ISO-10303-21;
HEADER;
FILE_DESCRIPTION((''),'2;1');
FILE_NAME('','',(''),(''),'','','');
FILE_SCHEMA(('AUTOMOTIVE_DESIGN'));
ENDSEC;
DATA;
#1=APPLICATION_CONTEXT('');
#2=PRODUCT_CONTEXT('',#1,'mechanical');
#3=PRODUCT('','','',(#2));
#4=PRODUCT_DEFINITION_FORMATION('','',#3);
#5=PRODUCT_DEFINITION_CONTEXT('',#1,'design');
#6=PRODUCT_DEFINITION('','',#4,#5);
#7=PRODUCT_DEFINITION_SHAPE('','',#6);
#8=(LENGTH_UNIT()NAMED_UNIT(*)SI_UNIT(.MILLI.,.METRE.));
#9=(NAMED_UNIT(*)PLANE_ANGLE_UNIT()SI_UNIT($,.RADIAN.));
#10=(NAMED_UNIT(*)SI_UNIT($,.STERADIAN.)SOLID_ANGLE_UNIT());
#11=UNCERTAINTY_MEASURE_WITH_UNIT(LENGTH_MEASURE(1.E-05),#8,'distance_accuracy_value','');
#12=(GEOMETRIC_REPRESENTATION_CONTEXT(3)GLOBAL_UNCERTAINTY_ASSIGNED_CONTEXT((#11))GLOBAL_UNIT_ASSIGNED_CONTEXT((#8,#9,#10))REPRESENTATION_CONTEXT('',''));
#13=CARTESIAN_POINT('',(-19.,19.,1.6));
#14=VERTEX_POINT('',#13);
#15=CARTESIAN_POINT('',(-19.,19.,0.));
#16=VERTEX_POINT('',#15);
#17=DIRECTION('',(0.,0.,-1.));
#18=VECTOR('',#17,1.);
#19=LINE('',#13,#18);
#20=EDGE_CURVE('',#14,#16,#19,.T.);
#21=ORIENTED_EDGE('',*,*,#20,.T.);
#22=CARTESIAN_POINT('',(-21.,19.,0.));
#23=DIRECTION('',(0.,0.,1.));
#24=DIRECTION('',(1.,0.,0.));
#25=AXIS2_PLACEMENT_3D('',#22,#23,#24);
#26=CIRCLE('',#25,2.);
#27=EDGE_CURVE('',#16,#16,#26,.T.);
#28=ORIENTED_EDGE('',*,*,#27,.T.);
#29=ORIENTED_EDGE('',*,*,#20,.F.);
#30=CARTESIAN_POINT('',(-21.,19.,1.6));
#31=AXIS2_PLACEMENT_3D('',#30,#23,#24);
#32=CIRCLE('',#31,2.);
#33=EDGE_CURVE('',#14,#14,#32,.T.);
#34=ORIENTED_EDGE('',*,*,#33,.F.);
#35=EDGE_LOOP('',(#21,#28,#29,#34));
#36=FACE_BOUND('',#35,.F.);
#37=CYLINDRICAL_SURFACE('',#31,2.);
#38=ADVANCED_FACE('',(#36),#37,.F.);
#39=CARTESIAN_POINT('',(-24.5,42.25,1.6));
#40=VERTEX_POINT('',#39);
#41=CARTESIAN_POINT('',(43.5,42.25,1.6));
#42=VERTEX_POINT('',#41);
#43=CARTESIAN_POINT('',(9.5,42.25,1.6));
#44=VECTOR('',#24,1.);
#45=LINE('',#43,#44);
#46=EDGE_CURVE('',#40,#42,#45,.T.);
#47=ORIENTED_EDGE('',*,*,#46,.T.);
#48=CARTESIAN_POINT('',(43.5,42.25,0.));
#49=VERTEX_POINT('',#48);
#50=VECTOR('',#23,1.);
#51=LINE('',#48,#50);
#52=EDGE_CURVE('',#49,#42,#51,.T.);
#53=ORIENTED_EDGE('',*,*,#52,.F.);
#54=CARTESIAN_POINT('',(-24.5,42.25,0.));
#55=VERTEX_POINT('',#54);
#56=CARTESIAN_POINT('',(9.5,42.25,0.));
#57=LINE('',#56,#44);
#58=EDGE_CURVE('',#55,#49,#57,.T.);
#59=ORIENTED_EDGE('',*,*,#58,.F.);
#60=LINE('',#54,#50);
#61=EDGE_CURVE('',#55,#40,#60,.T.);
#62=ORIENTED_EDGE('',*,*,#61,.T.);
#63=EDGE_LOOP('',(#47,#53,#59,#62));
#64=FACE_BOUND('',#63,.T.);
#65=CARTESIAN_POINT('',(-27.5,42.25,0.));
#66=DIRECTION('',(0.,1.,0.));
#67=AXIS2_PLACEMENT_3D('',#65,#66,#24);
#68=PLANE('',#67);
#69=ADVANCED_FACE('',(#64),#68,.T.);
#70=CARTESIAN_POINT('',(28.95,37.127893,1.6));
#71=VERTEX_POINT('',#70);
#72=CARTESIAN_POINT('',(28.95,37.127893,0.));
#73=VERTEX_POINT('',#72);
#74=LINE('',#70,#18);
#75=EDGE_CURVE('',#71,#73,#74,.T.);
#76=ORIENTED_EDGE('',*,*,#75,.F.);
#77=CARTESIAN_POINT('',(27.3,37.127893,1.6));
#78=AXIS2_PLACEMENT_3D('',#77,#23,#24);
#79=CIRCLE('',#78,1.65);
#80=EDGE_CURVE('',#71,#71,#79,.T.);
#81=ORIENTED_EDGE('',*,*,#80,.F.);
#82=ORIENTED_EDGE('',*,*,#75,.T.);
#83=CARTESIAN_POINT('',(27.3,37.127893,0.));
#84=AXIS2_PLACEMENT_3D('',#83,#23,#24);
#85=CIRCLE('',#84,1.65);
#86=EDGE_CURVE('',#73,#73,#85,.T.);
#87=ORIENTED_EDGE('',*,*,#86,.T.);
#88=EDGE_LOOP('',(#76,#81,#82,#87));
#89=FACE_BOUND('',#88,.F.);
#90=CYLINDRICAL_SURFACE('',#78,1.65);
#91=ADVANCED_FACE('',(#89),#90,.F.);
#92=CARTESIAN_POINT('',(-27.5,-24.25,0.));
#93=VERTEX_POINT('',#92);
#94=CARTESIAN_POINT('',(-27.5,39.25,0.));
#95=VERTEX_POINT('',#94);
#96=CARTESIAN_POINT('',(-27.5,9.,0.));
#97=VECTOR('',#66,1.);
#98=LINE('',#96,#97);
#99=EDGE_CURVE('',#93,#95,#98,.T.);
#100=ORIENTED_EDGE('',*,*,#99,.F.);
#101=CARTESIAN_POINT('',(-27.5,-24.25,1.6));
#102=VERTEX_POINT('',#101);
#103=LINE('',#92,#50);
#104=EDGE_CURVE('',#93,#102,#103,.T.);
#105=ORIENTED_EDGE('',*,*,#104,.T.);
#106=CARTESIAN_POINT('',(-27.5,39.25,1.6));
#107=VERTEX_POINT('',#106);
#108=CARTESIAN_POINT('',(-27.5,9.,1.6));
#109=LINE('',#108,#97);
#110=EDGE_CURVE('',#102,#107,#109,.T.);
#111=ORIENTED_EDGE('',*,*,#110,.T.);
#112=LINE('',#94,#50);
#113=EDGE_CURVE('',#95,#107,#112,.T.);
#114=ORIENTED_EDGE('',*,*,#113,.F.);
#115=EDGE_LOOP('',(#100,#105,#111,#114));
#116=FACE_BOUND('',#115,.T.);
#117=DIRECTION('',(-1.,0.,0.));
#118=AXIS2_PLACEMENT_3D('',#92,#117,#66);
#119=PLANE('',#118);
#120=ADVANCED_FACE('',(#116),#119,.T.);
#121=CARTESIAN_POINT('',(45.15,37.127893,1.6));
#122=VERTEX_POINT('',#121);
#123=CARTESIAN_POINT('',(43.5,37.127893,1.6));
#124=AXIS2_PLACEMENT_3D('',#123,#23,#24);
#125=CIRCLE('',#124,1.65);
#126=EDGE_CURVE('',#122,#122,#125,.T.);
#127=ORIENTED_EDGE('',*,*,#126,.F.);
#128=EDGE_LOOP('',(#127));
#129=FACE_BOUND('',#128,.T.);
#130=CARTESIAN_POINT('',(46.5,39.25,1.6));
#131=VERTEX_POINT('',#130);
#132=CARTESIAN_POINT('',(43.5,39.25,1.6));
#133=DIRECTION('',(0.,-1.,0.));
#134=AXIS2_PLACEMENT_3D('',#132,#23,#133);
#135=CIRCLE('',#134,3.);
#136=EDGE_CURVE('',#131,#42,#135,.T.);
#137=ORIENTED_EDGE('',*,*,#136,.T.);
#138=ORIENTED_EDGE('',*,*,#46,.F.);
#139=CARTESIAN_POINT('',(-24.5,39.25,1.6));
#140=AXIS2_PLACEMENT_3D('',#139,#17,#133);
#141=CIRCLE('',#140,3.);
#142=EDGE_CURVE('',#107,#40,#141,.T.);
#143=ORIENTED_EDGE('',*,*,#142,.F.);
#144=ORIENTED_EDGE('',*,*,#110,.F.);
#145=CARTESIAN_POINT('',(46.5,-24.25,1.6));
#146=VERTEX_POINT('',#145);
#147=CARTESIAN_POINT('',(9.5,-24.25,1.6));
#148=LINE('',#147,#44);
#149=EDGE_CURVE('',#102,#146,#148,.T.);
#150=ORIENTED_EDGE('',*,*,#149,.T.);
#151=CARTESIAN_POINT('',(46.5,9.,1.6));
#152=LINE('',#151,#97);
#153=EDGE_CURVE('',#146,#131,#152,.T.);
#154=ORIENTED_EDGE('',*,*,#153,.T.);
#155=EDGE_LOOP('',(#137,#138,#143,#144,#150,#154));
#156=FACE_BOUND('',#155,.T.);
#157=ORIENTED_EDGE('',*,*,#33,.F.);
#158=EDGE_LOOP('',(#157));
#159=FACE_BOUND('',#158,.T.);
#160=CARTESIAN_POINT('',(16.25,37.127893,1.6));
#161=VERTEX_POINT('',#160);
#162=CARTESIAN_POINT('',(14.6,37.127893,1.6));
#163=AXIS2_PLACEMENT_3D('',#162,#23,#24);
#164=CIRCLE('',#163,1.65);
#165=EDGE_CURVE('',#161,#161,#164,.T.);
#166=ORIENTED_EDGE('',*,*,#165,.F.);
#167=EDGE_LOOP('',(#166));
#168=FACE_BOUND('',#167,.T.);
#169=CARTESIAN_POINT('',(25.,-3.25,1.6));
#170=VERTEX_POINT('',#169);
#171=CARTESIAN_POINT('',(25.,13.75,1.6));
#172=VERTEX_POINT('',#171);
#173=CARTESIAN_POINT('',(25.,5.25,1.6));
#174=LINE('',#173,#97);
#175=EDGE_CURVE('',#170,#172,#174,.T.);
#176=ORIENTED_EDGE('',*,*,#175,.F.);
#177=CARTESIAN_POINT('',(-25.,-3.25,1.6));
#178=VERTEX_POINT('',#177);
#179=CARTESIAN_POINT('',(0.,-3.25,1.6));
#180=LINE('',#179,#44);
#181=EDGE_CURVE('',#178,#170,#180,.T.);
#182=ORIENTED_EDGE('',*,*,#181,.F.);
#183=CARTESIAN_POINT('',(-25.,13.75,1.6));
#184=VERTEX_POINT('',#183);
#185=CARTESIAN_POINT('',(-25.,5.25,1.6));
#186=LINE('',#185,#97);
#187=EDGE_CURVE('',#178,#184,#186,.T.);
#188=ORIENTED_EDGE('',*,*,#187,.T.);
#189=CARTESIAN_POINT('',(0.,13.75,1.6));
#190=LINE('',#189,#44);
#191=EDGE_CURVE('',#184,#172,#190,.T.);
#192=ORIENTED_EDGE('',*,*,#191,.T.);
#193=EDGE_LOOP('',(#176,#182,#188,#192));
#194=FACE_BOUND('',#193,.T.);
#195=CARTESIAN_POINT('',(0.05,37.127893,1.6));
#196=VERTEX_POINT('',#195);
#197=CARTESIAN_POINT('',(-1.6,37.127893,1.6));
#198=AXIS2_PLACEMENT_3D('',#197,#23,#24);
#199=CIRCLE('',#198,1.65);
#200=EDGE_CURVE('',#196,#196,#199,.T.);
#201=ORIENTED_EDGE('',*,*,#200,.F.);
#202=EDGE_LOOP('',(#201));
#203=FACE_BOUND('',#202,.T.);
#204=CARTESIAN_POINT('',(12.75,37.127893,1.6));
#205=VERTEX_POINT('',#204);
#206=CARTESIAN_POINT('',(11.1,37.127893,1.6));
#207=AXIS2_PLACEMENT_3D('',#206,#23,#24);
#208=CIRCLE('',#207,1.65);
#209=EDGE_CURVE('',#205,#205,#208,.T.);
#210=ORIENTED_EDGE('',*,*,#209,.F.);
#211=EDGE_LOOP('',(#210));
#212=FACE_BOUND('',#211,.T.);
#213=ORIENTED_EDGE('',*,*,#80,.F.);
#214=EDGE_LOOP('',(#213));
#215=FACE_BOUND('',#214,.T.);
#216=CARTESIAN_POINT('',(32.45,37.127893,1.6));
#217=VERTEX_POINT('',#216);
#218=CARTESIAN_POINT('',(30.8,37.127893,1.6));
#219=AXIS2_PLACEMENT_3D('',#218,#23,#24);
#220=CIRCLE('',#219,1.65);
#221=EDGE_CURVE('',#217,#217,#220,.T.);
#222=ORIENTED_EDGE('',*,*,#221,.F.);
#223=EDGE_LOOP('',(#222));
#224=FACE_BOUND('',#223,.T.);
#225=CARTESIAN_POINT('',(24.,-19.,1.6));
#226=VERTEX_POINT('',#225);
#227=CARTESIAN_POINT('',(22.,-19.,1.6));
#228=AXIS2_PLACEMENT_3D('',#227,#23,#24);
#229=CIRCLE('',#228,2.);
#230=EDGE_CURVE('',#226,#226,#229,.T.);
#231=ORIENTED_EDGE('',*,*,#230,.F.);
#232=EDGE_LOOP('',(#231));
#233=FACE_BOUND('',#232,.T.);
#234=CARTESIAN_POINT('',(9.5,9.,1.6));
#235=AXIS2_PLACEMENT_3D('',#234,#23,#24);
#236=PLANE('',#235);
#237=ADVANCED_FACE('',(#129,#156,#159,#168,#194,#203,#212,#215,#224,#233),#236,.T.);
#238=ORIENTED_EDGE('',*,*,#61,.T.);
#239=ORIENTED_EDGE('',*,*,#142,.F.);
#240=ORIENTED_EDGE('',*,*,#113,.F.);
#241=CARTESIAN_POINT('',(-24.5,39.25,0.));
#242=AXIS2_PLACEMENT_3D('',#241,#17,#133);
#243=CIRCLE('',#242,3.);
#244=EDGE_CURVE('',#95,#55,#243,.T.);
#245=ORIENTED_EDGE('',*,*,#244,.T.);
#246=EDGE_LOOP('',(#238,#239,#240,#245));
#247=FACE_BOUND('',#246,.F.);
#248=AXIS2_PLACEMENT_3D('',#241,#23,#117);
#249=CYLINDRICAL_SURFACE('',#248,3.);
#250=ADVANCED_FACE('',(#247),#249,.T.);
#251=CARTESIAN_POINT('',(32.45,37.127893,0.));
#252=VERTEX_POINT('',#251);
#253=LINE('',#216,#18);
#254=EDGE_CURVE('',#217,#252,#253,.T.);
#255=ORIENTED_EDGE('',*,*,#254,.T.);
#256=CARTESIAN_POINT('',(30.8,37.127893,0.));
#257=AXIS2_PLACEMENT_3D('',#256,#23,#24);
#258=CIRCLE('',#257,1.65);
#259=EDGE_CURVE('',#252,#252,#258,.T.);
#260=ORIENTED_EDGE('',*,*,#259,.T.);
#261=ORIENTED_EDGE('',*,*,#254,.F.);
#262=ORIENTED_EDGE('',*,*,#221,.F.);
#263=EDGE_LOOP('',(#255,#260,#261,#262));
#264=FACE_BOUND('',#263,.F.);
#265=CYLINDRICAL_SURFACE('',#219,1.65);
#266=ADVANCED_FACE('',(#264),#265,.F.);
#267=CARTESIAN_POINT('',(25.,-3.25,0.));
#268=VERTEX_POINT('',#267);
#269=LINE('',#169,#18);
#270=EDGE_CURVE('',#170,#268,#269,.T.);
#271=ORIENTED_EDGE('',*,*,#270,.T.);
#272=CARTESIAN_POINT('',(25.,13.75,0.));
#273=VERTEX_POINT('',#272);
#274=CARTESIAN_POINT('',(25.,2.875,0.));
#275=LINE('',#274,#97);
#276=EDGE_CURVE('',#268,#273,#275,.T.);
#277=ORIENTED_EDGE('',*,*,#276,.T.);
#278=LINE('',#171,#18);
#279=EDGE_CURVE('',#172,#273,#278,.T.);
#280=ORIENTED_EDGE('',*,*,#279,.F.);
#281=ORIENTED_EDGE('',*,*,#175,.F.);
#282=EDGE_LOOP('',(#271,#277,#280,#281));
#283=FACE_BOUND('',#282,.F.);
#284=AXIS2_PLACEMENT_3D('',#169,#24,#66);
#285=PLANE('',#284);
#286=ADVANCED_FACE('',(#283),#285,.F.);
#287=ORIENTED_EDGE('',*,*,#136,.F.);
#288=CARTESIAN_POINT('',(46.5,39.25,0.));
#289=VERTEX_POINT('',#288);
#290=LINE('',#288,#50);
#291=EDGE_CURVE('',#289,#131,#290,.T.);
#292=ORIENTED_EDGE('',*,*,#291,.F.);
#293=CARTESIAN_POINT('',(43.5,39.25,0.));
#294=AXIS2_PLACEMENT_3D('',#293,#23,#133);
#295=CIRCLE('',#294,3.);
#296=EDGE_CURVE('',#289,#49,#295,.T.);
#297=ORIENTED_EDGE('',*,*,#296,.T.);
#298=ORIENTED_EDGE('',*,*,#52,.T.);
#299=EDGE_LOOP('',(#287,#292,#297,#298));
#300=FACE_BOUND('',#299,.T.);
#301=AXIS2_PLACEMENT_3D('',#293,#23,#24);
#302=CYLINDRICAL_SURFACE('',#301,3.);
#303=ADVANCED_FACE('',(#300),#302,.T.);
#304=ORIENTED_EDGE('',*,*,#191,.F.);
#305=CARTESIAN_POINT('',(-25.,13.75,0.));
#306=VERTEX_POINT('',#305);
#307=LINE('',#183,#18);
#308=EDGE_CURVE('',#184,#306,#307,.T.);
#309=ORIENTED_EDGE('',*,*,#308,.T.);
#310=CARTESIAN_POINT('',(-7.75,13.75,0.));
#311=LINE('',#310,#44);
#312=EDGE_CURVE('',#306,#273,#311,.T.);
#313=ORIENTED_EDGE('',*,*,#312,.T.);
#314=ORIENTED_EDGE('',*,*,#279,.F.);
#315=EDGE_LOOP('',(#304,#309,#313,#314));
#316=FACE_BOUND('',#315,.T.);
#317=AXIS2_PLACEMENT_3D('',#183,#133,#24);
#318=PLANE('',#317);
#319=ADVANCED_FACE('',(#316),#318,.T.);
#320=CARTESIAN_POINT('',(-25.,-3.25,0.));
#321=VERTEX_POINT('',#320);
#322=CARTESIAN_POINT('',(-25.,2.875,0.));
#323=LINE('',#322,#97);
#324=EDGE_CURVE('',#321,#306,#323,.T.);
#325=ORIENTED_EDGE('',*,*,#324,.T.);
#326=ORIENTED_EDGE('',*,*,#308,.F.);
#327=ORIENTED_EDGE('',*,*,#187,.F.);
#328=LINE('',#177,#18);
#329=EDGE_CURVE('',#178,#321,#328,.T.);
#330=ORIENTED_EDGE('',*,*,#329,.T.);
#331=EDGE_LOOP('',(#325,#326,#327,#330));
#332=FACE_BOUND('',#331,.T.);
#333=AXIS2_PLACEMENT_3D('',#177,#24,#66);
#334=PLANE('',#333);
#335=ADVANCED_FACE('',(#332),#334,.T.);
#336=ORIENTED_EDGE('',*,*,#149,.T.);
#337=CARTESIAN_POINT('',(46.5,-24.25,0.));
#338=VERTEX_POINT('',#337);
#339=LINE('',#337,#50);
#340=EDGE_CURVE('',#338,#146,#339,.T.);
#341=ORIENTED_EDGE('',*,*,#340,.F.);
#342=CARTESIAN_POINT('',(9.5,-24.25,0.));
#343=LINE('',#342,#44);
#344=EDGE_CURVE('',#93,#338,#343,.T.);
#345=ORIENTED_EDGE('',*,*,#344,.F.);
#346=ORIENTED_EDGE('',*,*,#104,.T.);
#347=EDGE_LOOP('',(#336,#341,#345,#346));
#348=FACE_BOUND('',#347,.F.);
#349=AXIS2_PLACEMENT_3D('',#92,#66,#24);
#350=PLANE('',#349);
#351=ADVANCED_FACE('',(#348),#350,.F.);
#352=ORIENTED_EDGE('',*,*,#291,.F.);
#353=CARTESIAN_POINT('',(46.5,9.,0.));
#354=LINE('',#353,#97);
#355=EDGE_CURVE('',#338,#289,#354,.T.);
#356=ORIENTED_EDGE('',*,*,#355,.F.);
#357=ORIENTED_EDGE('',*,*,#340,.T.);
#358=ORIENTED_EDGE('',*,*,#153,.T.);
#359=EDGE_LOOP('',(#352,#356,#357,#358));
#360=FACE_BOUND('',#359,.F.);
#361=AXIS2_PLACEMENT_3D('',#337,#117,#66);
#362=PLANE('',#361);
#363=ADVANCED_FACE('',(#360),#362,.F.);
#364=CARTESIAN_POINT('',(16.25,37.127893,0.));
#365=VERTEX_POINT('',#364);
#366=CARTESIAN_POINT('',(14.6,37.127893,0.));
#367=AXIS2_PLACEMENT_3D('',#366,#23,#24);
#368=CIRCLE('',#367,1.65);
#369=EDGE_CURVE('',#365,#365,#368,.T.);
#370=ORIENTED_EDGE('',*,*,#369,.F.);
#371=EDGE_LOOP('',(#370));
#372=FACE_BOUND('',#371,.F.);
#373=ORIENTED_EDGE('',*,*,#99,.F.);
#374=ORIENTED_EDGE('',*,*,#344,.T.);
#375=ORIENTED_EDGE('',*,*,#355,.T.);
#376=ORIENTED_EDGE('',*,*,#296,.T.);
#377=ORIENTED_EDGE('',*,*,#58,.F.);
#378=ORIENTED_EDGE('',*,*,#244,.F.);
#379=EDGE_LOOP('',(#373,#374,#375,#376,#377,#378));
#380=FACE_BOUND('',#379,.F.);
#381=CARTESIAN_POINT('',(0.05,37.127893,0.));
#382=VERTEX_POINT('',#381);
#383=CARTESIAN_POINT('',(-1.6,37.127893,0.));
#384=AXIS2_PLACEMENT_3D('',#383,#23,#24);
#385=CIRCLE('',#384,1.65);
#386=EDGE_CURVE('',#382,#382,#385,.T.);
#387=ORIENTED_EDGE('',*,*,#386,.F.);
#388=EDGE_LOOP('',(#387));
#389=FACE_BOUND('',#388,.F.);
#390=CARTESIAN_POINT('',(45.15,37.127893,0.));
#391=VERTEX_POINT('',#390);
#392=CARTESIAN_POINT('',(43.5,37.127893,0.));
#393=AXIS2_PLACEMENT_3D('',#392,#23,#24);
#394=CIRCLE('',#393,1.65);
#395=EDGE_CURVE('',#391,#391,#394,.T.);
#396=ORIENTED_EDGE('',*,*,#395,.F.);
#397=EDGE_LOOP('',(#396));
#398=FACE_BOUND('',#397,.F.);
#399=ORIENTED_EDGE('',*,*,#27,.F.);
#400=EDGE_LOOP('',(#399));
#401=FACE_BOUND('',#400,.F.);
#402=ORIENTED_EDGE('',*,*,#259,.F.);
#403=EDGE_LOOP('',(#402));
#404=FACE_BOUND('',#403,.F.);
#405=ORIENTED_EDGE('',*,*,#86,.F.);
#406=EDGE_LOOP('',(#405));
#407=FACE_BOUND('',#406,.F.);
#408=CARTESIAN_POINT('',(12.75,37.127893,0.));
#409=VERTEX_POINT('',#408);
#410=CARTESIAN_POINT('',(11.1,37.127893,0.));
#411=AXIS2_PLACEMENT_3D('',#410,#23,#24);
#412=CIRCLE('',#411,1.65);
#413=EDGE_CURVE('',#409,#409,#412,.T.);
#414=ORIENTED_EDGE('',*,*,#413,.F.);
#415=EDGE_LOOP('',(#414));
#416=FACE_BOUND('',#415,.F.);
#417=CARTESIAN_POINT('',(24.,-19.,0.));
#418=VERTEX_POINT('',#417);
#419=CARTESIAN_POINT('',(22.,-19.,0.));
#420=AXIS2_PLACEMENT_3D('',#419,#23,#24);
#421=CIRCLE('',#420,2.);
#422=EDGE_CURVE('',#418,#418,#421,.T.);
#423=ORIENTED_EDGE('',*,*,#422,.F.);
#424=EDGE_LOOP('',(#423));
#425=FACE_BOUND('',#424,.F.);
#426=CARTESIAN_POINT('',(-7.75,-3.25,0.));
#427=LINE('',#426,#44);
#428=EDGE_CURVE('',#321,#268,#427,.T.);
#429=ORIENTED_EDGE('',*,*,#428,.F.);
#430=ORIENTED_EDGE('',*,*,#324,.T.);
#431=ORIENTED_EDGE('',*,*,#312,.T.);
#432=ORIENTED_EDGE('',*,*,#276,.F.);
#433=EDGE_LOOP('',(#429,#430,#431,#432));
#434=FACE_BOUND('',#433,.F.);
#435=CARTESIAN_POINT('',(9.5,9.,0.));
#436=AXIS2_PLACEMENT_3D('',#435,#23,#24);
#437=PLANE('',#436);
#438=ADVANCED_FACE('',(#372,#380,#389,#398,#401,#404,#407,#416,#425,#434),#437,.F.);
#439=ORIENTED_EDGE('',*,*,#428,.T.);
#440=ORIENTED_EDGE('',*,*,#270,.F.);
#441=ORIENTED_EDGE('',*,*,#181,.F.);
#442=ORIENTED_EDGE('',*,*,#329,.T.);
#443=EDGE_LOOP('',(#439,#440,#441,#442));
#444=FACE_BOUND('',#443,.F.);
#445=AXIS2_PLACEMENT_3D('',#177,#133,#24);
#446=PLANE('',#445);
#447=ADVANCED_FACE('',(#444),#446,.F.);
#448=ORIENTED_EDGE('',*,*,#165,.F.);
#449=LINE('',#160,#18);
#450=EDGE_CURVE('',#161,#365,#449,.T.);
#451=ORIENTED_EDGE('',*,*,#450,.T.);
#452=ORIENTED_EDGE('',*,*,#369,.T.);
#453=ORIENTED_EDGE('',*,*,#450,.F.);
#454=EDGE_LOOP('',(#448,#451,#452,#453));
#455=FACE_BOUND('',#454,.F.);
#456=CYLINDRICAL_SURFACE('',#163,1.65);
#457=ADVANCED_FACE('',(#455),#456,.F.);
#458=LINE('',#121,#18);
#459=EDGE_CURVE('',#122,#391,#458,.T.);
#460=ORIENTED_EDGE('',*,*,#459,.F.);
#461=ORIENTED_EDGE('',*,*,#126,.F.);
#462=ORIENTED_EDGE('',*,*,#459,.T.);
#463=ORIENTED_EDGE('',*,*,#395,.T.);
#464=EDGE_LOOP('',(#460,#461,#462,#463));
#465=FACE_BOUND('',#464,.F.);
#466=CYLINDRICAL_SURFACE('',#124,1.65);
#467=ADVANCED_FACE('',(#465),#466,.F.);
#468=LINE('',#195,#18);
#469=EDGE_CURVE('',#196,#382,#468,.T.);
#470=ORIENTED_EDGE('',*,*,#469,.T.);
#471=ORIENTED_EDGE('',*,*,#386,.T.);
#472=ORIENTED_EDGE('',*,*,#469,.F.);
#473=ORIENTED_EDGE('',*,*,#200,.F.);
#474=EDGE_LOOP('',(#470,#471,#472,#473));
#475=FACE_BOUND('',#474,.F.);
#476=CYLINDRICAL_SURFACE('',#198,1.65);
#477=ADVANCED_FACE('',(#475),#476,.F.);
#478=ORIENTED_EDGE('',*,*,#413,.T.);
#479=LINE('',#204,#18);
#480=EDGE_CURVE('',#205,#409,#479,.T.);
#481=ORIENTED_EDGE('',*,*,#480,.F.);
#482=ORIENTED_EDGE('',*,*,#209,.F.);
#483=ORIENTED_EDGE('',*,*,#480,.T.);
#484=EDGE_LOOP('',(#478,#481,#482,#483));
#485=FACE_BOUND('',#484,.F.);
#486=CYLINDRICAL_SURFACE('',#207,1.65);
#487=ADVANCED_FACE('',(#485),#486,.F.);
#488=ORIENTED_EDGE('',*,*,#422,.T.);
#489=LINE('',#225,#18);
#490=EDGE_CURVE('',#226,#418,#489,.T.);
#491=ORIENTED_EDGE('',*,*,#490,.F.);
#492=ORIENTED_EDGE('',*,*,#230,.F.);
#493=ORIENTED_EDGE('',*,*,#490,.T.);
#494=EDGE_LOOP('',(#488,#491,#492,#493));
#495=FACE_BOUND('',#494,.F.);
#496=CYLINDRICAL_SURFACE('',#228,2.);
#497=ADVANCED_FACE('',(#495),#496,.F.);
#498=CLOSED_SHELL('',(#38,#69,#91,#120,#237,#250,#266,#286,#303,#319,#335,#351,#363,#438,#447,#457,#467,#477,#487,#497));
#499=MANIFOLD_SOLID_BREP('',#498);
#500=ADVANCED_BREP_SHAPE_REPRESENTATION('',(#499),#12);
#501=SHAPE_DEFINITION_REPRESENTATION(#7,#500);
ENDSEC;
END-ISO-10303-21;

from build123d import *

# Parameters (mm, degrees)
F0_W     = 74
F0_H     = 66.5
F1_DEPTH = 1.6
F2_R     = 3
F3_R     = 2
F3_W     = 50
F3_H     = 17
F3_R_2   = 1.65
F4_DEPTH = 25


with BuildPart() as f1:
    # F0 (on Top) → F1 (new body)
    with BuildSketch(Plane.XY):
        with Locations((9.5, 9)):
            Rectangle(F0_W, F0_H)
    extrude(amount=F1_DEPTH)

    # F2
    f2_edges = [f1.edges().sort_by_distance(p)[0] for p in [
        (-27.5, 42.25, 0.8),
        (46.5, 42.25, 0.8),
    ]]
    fillet(f2_edges, radius=F2_R)

    # F3 (on face) → F4 (cut)
    with BuildSketch(Plane.XY.offset(1.6)):
        with Locations((-21, 19)):
            Circle(F3_R)
        with Locations((22, -19)):
            Circle(F3_R)
        with Locations((0, 5.25)):
            Rectangle(F3_W, F3_H)
        with Locations((-1.6, 37.127893)):
            Circle(F3_R_2)
        with Locations((11.1, 37.127893)):
            Circle(F3_R_2)
        with Locations((14.6, 37.127893)):
            Circle(F3_R_2)
        with Locations((27.3, 37.127893)):
            Circle(F3_R_2)
        with Locations((30.8, 37.127893)):
            Circle(F3_R_2)
        with Locations((43.5, 37.127893)):
            Circle(F3_R_2)
    extrude(amount=-F4_DEPTH, mode=Mode.SUBTRACT)


solid = f1.part
